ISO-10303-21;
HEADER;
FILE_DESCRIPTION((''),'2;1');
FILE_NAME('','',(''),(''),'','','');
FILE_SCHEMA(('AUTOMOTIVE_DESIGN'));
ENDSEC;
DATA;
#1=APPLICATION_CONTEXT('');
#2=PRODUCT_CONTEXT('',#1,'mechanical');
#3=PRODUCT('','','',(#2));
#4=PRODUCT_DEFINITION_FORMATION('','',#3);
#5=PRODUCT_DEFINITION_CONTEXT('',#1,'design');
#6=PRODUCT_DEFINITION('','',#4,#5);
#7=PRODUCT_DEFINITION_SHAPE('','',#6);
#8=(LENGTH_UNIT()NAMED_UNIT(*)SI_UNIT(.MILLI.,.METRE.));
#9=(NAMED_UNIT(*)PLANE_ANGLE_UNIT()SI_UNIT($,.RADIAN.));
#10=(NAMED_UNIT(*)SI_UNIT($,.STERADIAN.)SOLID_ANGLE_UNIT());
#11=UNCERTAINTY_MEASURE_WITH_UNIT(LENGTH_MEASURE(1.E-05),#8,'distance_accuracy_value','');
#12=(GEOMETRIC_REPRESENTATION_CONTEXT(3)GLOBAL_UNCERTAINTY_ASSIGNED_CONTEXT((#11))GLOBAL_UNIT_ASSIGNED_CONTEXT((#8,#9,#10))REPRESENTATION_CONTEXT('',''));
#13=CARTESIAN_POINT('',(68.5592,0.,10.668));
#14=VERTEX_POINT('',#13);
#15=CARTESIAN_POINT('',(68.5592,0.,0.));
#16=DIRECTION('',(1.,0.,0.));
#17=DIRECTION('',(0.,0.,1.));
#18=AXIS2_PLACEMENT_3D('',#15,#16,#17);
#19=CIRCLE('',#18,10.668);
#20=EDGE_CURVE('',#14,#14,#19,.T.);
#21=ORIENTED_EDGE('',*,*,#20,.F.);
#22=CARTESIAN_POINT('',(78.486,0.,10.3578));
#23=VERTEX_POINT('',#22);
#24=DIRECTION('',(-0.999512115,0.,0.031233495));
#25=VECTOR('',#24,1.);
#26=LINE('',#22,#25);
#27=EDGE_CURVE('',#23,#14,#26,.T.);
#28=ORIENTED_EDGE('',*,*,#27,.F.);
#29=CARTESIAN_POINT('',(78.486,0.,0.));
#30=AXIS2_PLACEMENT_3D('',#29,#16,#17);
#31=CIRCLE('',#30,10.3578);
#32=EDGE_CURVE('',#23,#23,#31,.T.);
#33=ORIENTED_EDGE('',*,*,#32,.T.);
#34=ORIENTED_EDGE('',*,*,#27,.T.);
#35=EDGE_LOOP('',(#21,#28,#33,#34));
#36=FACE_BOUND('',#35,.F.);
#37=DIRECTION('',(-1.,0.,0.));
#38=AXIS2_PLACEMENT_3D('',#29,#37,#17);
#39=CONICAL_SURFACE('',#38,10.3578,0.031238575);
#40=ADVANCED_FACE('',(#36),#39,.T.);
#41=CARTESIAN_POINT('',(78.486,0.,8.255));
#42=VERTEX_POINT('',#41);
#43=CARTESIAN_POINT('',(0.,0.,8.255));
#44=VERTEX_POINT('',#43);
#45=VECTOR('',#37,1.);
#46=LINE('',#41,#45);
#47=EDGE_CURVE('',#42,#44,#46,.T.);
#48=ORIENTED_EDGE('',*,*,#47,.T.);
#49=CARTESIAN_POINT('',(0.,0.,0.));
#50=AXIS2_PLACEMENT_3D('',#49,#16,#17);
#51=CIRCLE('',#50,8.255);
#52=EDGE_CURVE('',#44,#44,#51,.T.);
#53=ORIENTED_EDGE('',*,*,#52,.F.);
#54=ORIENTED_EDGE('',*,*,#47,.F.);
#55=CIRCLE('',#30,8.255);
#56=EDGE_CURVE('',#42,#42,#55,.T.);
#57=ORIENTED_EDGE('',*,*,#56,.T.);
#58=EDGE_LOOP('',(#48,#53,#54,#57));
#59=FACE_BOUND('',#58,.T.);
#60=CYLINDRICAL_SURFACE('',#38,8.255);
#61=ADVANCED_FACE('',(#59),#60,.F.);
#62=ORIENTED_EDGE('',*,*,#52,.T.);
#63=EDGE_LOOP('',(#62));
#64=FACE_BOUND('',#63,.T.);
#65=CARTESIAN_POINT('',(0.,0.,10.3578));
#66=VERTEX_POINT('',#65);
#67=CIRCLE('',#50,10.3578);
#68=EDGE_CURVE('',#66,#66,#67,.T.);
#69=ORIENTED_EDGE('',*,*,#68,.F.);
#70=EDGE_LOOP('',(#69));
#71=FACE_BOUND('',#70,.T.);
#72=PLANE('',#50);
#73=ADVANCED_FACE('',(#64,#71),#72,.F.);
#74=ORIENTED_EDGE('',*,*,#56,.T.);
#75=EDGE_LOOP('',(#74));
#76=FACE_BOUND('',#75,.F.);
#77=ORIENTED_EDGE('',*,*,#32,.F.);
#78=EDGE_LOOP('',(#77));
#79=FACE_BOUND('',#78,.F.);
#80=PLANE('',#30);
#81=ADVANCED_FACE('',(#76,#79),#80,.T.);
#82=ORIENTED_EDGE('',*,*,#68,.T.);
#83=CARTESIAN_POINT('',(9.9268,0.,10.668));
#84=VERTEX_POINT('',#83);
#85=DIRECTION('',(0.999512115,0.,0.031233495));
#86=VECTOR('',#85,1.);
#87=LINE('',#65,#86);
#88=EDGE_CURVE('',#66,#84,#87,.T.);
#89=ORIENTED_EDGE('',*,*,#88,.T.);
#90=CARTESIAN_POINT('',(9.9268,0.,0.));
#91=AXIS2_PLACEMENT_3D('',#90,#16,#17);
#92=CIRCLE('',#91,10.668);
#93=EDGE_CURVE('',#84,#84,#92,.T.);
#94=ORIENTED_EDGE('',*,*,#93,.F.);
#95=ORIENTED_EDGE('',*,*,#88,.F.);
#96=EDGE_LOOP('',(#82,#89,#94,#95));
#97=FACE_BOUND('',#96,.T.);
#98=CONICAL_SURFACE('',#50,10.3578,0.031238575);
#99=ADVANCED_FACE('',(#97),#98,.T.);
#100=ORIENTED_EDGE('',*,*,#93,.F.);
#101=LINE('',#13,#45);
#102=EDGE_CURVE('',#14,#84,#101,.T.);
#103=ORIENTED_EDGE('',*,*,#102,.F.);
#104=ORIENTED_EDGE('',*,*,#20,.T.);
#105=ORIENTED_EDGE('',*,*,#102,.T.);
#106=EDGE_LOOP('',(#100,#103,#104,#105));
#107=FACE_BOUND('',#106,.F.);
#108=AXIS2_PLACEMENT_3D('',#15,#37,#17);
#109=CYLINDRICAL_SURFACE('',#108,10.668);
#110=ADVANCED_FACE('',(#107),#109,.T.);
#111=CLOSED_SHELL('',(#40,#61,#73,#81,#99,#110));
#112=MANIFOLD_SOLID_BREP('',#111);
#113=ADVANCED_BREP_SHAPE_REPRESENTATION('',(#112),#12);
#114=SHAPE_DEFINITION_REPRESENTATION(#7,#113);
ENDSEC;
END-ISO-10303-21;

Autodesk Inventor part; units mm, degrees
ref_plane "YZ Plane" through (0, 0, 0) normal (1, 0, 0) x (0, 1, 0)
ref_plane "XZ Plane" through (0, 0, 0) normal (0, 1, 0) x (-1, 0, 0)
ref_plane "XY Plane" through (0, 0, 0) normal (0, 0, 1) x (1, 0, 0)
sketch "Sketch1" plane through (0, 0, 0) normal (0, 1, 0) x (-1, 0, 0)
  line L0 (0, 0) -> (-78.486, 0)
  line L1 (-78.486, 0) -> (-78.486, 8.255) construction
  line L2 (-78.486, 8.255) -> (-78.486, 10.3578)
  line L3 (-78.486, 10.3578) -> (-68.5592, 10.668)
  line L4 (-68.5592, 10.668) -> (-9.9268, 10.668)
  line L5 (-39.243, 0) -> (-39.243, 10.668) construction
  line L6 (-78.486, 8.255) -> (0, 8.255)
  line L7 (0, 0) -> (0, 8.255) construction
  line L8 (0, 8.255) -> (0, 10.3578)
  line L9 (0, 10.3578) -> (-9.9268, 10.668)
  line L10 (-64.93, 10.7814) -> (-64.93, 0) construction
  line L11 (-13.556, 10.7814) -> (-13.556, 0) construction
  line L12 (-68.5592, 10.668) -> (-64.93, 10.7814) construction
  line L13 (-68.5592, 10.668) -> (-68.5592, 0) construction
  line L14 (-9.9268, 10.668) -> (-13.556, 10.7814) construction
  line L15 (-9.9268, 10.668) -> (-9.9268, 0) construction
  dimension "d0" = 21.336
  dimension "d1" = 1.79
  dimension "d2" = 16.51
  dimension "d3" = 78.486
  dimension "d4" = 13.556
  dimension "d5" = 21.5628
revolve "Revolution1" add sketch "Sketch1" angle 360 about axis through (0, 0, 0) along (1, 0, 0)
thread "Thread1" size "1/2" designation "1/2 - 14 NPT" standard "NPT" full length
thread "Thread2" size "1/2" designation "1/2 - 14 NPT" standard "NPT" full length
equation "\"d0\" = OD"
equation "\"d2\" = ID"
equation "\"d3\" = L"
equation "\"d4\" = L2"
equation "\"d5\" = D2"
equation "\"OD\" = 21.336"
equation "\"t\" = 2.413"
equation "\"L\" = PL"
equation "\"L4\" = 19.8501"
equation "\"ID\" = 16.51"
equation "\"PL\" = 78.486"
equation "\"D2\" = 21.56282"
equation "\"L2\" = 13.55598"
equation "\"Size_Designation\" = 1.2345"
equation "\"PLmin\" = 2 * L2"
properties material "Steel, Wrought"
